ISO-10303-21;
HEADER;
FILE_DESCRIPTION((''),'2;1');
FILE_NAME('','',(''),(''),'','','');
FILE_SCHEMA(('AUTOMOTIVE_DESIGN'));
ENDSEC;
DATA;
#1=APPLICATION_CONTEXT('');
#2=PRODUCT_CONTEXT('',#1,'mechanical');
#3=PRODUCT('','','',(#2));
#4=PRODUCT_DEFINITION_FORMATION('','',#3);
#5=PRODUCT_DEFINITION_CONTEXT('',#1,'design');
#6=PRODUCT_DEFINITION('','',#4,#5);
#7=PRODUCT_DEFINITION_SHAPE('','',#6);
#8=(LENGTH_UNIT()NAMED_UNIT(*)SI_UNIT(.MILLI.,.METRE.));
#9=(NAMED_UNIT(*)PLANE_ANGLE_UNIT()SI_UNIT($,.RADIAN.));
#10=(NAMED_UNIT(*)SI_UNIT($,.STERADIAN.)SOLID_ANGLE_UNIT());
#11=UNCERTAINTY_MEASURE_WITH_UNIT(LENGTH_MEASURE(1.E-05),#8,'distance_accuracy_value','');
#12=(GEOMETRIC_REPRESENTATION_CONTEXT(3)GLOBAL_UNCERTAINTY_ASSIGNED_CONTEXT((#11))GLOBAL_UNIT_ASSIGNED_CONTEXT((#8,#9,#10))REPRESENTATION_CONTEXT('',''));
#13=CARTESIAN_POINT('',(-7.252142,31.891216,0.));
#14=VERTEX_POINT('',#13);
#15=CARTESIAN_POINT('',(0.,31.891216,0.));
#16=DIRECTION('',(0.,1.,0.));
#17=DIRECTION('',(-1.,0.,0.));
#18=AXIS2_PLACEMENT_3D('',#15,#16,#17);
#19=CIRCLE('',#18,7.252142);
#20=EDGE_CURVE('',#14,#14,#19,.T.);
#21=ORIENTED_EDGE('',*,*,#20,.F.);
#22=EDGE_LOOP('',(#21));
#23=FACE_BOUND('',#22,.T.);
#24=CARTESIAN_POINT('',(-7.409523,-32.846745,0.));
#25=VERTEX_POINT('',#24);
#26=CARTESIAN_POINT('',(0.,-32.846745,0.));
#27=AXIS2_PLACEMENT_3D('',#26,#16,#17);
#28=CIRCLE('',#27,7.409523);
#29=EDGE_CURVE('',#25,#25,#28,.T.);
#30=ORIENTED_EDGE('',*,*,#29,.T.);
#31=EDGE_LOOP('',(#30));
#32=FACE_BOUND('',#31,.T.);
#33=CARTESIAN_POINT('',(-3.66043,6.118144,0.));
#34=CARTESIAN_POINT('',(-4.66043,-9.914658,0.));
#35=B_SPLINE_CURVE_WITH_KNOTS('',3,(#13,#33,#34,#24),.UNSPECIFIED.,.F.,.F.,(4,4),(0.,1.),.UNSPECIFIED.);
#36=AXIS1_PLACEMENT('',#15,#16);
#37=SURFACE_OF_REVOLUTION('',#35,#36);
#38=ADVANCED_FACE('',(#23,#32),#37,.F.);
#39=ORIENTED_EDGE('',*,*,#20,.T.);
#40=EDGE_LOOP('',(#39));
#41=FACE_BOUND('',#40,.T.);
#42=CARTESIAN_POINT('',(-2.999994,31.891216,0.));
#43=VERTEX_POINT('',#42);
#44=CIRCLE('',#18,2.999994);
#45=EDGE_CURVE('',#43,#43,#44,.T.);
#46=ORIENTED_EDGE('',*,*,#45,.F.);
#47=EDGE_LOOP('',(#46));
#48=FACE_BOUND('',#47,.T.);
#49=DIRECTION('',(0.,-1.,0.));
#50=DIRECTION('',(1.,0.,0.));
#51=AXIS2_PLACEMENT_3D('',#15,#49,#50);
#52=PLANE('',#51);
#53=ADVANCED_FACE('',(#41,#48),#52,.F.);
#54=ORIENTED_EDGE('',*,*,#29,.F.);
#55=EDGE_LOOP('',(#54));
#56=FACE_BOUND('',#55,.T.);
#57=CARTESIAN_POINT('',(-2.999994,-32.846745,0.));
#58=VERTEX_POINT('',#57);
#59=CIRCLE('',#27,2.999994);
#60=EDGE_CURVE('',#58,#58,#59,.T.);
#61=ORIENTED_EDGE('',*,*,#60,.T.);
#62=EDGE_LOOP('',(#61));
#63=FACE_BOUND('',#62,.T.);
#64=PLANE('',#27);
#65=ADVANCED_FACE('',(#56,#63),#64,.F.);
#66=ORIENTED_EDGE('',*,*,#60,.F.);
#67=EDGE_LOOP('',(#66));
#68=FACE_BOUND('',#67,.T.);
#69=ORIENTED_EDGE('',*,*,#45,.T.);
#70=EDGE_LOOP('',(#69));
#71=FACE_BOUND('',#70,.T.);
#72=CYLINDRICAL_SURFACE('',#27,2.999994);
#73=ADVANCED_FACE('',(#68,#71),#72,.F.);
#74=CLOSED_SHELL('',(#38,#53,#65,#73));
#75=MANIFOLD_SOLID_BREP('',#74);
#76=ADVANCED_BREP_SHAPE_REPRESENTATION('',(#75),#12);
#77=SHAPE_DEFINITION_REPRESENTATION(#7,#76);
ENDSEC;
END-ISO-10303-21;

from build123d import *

# Parameters (mm, degrees)
SKETCH4_R          = 2.999994
CUT_EXTRUDE1_DEPTH = 66.580528249


with BuildPart() as part:
    # Sketch3 → Revolve1 (revolve)
    with BuildSketch(Plane.XY):
        with BuildLine():
            Line((0, 31.891215803), (-7.252142088, 31.891215803))
            add(Edge.make_bspline(
                [(-7.252142088, 31.891215803), (-3.660429743, 6.118144213), (-4.660429627, -9.914658108), (-7.40952314, -32.846745264)],
                knots=[0, 0, 0, 0, 1, 1, 1, 1], degree=3))
            Line((-7.40952314, -32.846745264), (0, -32.846745264))
            Line((0, -32.846745264), (0, 31.891215803))
        make_face()
    revolve(axis=Axis((0, 31.891215803, 0), (0, -1, 0)))

    # Sketch4 → Cut-Extrude1 (cut, through all)
    with BuildSketch(Plane(origin=(0, 31.891215803, 0), x_dir=(1, 0, 0), z_dir=(0, 1, 0))):
        with Locations(Location((0, 0, 0), (0, 0, 180))):
            Circle(SKETCH4_R)
    extrude(amount=-CUT_EXTRUDE1_DEPTH, mode=Mode.SUBTRACT)


solid = part.part
